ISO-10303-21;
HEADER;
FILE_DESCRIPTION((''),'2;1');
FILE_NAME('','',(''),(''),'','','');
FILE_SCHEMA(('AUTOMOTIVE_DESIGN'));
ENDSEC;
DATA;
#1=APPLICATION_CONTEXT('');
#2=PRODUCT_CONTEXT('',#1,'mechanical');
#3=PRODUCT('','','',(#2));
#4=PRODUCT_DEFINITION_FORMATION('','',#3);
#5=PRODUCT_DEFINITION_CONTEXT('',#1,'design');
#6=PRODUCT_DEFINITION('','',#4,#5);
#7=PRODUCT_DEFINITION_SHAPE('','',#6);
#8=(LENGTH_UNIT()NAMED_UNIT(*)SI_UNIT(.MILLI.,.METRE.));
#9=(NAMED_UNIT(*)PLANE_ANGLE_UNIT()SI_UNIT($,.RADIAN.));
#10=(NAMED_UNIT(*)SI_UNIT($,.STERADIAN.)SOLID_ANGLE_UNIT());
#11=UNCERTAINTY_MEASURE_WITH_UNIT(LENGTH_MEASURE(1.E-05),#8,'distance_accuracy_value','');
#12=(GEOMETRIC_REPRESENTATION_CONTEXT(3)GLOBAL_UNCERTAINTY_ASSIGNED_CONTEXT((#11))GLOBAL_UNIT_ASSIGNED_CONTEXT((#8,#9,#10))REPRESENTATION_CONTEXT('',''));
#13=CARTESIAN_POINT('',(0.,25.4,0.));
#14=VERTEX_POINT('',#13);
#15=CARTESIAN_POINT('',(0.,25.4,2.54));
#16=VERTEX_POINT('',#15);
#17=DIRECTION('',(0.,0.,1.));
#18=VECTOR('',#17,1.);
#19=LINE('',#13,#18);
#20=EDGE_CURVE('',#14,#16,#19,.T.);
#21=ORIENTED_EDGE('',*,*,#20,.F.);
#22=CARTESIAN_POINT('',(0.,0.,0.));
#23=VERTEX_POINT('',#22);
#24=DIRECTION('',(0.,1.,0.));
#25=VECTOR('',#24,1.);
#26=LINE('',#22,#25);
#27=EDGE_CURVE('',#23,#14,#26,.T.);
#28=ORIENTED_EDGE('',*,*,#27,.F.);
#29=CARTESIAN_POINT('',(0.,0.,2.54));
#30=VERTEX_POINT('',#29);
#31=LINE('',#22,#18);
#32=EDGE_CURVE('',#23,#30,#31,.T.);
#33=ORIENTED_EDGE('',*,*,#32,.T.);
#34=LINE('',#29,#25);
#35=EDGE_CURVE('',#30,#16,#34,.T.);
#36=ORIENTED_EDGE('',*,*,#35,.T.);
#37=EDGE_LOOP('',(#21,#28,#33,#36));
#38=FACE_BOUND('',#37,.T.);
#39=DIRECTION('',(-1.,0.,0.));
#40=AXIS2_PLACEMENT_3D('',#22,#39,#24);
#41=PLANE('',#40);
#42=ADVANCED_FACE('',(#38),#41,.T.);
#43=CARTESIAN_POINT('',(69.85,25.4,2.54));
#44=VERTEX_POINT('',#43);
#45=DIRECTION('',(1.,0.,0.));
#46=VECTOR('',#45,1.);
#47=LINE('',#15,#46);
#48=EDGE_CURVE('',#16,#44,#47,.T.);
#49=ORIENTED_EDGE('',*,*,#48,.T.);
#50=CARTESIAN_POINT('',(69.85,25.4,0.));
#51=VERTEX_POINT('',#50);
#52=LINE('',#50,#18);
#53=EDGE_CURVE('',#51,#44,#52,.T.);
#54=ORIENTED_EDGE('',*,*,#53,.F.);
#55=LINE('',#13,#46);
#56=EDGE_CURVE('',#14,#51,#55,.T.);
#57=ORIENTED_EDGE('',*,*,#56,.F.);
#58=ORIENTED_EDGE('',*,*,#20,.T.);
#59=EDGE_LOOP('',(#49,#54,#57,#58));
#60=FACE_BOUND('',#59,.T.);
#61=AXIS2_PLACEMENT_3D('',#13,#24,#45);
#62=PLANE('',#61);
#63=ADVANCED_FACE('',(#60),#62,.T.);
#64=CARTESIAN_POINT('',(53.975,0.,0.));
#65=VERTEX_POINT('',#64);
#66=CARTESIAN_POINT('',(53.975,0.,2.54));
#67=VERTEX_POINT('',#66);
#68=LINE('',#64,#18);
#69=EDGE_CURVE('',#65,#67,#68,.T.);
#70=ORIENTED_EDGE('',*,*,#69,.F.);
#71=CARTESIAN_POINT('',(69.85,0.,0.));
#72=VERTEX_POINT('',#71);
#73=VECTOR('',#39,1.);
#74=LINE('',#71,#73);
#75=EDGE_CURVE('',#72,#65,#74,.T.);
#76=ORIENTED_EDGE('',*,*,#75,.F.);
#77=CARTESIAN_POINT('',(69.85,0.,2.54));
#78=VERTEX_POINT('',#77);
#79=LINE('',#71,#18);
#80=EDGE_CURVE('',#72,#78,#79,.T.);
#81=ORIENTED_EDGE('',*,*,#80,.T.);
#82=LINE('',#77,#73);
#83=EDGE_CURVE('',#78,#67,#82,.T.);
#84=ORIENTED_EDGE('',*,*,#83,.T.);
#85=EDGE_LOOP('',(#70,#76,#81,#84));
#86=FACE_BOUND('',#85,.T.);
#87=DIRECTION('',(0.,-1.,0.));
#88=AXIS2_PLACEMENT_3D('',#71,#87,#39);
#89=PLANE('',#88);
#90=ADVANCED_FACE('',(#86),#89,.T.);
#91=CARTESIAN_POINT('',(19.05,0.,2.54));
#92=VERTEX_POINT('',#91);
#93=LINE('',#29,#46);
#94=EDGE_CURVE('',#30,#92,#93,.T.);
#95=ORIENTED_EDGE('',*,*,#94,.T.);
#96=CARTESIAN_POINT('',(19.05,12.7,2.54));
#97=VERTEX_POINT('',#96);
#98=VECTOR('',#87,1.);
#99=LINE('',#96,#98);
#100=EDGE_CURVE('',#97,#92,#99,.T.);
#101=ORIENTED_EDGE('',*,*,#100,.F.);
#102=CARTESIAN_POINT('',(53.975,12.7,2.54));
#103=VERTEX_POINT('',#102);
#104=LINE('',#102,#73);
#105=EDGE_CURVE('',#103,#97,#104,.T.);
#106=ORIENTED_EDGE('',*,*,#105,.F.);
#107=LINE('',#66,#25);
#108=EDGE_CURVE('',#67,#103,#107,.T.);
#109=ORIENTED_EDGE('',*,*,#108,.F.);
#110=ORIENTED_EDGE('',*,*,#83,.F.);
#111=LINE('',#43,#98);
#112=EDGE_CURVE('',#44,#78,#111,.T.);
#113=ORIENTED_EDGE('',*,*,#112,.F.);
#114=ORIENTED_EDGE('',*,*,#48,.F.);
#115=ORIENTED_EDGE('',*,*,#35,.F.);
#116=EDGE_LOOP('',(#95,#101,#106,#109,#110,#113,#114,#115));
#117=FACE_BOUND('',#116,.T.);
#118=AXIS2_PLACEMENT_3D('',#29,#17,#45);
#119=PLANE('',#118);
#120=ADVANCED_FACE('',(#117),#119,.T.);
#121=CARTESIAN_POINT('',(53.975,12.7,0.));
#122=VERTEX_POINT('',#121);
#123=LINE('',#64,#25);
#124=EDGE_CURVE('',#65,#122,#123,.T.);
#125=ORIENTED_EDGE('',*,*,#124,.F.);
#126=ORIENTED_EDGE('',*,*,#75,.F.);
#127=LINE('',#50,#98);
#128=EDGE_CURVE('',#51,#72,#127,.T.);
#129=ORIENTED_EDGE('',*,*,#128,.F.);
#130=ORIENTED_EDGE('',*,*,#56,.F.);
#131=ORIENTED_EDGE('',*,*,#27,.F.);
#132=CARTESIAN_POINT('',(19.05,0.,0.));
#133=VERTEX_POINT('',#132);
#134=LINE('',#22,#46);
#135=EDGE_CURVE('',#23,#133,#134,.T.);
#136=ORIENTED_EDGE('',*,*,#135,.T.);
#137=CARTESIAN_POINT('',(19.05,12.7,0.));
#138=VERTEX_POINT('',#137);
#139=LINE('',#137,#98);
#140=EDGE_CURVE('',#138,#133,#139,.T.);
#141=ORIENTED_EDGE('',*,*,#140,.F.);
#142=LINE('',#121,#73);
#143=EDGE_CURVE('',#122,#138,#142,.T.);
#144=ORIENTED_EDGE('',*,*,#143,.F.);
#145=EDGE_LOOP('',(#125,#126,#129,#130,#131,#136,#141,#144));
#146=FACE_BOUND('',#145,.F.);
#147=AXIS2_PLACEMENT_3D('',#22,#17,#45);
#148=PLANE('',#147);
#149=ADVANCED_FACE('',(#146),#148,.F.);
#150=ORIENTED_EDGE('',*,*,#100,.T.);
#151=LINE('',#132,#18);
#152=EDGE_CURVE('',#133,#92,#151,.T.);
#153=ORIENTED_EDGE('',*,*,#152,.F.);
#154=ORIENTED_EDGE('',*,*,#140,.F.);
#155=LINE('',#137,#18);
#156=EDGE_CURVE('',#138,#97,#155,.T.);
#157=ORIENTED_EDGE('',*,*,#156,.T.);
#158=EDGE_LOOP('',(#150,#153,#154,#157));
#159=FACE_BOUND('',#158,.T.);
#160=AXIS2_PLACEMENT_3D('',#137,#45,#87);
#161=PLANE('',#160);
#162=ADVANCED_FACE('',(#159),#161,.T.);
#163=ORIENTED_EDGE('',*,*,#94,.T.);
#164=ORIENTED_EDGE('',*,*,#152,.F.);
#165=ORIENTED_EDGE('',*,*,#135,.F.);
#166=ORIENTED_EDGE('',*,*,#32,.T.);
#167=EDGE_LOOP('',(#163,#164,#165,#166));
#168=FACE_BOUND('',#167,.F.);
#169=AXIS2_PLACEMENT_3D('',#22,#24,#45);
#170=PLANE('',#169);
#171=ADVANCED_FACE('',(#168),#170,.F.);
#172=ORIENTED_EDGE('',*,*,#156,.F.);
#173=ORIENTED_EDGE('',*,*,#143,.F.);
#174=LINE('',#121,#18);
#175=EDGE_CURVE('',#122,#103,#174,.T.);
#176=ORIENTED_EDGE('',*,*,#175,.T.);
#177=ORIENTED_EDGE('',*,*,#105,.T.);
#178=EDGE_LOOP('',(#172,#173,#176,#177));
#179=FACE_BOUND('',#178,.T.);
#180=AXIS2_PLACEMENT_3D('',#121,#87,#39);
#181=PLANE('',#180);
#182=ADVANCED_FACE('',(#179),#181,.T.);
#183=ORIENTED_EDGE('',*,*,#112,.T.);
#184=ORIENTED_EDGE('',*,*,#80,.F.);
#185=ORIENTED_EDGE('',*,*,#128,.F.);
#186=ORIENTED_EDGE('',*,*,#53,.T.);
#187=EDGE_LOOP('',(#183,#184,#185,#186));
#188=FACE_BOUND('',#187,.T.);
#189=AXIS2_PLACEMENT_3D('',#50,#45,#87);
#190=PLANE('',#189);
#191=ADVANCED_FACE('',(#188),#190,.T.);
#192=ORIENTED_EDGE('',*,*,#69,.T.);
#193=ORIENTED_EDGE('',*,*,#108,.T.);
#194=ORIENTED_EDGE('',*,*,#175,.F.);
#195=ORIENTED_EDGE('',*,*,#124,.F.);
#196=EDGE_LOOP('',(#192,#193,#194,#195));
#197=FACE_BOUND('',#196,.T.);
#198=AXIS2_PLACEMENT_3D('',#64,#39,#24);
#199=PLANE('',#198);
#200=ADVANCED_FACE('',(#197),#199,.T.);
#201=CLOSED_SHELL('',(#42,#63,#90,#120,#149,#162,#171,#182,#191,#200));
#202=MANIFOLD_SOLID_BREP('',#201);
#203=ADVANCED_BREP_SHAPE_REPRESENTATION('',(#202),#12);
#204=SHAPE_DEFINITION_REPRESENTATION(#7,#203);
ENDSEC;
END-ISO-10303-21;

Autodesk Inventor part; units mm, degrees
ref_plane "YZ Plane" through (0, 0, 0) normal (1, 0, 0) x (0, 1, 0)
ref_plane "XZ Plane" through (0, 0, 0) normal (0, 1, 0) x (-1, 0, 0)
ref_plane "XY Plane" through (0, 0, 0) normal (0, 0, 1) x (1, 0, 0)
sketch "Sketch3" plane through (0, 0, 0) normal (0, 0, 1) x (1, 0, 0)
  line L0 (0, 0) -> (0, 25.4)
  line L1 (0, 0) -> (19.05, 0)
  line L2 (0, 25.4) -> (69.85, 25.4)
  line L3 (69.85, 25.4) -> (69.85, 0)
  line L4 (69.85, 0) -> (53.975, 0)
  line L5 (53.975, 0) -> (53.975, 12.7)
  line L6 (53.975, 12.7) -> (19.05, 12.7)
  line L7 (19.05, 12.7) -> (19.05, 0)
  dimension "d7" = 25.4
  dimension "d8" = 69.85
extrude "Extrusion2" add sketch "Sketch3" along normal blind 2.54
properties part number "Different Sweep"
